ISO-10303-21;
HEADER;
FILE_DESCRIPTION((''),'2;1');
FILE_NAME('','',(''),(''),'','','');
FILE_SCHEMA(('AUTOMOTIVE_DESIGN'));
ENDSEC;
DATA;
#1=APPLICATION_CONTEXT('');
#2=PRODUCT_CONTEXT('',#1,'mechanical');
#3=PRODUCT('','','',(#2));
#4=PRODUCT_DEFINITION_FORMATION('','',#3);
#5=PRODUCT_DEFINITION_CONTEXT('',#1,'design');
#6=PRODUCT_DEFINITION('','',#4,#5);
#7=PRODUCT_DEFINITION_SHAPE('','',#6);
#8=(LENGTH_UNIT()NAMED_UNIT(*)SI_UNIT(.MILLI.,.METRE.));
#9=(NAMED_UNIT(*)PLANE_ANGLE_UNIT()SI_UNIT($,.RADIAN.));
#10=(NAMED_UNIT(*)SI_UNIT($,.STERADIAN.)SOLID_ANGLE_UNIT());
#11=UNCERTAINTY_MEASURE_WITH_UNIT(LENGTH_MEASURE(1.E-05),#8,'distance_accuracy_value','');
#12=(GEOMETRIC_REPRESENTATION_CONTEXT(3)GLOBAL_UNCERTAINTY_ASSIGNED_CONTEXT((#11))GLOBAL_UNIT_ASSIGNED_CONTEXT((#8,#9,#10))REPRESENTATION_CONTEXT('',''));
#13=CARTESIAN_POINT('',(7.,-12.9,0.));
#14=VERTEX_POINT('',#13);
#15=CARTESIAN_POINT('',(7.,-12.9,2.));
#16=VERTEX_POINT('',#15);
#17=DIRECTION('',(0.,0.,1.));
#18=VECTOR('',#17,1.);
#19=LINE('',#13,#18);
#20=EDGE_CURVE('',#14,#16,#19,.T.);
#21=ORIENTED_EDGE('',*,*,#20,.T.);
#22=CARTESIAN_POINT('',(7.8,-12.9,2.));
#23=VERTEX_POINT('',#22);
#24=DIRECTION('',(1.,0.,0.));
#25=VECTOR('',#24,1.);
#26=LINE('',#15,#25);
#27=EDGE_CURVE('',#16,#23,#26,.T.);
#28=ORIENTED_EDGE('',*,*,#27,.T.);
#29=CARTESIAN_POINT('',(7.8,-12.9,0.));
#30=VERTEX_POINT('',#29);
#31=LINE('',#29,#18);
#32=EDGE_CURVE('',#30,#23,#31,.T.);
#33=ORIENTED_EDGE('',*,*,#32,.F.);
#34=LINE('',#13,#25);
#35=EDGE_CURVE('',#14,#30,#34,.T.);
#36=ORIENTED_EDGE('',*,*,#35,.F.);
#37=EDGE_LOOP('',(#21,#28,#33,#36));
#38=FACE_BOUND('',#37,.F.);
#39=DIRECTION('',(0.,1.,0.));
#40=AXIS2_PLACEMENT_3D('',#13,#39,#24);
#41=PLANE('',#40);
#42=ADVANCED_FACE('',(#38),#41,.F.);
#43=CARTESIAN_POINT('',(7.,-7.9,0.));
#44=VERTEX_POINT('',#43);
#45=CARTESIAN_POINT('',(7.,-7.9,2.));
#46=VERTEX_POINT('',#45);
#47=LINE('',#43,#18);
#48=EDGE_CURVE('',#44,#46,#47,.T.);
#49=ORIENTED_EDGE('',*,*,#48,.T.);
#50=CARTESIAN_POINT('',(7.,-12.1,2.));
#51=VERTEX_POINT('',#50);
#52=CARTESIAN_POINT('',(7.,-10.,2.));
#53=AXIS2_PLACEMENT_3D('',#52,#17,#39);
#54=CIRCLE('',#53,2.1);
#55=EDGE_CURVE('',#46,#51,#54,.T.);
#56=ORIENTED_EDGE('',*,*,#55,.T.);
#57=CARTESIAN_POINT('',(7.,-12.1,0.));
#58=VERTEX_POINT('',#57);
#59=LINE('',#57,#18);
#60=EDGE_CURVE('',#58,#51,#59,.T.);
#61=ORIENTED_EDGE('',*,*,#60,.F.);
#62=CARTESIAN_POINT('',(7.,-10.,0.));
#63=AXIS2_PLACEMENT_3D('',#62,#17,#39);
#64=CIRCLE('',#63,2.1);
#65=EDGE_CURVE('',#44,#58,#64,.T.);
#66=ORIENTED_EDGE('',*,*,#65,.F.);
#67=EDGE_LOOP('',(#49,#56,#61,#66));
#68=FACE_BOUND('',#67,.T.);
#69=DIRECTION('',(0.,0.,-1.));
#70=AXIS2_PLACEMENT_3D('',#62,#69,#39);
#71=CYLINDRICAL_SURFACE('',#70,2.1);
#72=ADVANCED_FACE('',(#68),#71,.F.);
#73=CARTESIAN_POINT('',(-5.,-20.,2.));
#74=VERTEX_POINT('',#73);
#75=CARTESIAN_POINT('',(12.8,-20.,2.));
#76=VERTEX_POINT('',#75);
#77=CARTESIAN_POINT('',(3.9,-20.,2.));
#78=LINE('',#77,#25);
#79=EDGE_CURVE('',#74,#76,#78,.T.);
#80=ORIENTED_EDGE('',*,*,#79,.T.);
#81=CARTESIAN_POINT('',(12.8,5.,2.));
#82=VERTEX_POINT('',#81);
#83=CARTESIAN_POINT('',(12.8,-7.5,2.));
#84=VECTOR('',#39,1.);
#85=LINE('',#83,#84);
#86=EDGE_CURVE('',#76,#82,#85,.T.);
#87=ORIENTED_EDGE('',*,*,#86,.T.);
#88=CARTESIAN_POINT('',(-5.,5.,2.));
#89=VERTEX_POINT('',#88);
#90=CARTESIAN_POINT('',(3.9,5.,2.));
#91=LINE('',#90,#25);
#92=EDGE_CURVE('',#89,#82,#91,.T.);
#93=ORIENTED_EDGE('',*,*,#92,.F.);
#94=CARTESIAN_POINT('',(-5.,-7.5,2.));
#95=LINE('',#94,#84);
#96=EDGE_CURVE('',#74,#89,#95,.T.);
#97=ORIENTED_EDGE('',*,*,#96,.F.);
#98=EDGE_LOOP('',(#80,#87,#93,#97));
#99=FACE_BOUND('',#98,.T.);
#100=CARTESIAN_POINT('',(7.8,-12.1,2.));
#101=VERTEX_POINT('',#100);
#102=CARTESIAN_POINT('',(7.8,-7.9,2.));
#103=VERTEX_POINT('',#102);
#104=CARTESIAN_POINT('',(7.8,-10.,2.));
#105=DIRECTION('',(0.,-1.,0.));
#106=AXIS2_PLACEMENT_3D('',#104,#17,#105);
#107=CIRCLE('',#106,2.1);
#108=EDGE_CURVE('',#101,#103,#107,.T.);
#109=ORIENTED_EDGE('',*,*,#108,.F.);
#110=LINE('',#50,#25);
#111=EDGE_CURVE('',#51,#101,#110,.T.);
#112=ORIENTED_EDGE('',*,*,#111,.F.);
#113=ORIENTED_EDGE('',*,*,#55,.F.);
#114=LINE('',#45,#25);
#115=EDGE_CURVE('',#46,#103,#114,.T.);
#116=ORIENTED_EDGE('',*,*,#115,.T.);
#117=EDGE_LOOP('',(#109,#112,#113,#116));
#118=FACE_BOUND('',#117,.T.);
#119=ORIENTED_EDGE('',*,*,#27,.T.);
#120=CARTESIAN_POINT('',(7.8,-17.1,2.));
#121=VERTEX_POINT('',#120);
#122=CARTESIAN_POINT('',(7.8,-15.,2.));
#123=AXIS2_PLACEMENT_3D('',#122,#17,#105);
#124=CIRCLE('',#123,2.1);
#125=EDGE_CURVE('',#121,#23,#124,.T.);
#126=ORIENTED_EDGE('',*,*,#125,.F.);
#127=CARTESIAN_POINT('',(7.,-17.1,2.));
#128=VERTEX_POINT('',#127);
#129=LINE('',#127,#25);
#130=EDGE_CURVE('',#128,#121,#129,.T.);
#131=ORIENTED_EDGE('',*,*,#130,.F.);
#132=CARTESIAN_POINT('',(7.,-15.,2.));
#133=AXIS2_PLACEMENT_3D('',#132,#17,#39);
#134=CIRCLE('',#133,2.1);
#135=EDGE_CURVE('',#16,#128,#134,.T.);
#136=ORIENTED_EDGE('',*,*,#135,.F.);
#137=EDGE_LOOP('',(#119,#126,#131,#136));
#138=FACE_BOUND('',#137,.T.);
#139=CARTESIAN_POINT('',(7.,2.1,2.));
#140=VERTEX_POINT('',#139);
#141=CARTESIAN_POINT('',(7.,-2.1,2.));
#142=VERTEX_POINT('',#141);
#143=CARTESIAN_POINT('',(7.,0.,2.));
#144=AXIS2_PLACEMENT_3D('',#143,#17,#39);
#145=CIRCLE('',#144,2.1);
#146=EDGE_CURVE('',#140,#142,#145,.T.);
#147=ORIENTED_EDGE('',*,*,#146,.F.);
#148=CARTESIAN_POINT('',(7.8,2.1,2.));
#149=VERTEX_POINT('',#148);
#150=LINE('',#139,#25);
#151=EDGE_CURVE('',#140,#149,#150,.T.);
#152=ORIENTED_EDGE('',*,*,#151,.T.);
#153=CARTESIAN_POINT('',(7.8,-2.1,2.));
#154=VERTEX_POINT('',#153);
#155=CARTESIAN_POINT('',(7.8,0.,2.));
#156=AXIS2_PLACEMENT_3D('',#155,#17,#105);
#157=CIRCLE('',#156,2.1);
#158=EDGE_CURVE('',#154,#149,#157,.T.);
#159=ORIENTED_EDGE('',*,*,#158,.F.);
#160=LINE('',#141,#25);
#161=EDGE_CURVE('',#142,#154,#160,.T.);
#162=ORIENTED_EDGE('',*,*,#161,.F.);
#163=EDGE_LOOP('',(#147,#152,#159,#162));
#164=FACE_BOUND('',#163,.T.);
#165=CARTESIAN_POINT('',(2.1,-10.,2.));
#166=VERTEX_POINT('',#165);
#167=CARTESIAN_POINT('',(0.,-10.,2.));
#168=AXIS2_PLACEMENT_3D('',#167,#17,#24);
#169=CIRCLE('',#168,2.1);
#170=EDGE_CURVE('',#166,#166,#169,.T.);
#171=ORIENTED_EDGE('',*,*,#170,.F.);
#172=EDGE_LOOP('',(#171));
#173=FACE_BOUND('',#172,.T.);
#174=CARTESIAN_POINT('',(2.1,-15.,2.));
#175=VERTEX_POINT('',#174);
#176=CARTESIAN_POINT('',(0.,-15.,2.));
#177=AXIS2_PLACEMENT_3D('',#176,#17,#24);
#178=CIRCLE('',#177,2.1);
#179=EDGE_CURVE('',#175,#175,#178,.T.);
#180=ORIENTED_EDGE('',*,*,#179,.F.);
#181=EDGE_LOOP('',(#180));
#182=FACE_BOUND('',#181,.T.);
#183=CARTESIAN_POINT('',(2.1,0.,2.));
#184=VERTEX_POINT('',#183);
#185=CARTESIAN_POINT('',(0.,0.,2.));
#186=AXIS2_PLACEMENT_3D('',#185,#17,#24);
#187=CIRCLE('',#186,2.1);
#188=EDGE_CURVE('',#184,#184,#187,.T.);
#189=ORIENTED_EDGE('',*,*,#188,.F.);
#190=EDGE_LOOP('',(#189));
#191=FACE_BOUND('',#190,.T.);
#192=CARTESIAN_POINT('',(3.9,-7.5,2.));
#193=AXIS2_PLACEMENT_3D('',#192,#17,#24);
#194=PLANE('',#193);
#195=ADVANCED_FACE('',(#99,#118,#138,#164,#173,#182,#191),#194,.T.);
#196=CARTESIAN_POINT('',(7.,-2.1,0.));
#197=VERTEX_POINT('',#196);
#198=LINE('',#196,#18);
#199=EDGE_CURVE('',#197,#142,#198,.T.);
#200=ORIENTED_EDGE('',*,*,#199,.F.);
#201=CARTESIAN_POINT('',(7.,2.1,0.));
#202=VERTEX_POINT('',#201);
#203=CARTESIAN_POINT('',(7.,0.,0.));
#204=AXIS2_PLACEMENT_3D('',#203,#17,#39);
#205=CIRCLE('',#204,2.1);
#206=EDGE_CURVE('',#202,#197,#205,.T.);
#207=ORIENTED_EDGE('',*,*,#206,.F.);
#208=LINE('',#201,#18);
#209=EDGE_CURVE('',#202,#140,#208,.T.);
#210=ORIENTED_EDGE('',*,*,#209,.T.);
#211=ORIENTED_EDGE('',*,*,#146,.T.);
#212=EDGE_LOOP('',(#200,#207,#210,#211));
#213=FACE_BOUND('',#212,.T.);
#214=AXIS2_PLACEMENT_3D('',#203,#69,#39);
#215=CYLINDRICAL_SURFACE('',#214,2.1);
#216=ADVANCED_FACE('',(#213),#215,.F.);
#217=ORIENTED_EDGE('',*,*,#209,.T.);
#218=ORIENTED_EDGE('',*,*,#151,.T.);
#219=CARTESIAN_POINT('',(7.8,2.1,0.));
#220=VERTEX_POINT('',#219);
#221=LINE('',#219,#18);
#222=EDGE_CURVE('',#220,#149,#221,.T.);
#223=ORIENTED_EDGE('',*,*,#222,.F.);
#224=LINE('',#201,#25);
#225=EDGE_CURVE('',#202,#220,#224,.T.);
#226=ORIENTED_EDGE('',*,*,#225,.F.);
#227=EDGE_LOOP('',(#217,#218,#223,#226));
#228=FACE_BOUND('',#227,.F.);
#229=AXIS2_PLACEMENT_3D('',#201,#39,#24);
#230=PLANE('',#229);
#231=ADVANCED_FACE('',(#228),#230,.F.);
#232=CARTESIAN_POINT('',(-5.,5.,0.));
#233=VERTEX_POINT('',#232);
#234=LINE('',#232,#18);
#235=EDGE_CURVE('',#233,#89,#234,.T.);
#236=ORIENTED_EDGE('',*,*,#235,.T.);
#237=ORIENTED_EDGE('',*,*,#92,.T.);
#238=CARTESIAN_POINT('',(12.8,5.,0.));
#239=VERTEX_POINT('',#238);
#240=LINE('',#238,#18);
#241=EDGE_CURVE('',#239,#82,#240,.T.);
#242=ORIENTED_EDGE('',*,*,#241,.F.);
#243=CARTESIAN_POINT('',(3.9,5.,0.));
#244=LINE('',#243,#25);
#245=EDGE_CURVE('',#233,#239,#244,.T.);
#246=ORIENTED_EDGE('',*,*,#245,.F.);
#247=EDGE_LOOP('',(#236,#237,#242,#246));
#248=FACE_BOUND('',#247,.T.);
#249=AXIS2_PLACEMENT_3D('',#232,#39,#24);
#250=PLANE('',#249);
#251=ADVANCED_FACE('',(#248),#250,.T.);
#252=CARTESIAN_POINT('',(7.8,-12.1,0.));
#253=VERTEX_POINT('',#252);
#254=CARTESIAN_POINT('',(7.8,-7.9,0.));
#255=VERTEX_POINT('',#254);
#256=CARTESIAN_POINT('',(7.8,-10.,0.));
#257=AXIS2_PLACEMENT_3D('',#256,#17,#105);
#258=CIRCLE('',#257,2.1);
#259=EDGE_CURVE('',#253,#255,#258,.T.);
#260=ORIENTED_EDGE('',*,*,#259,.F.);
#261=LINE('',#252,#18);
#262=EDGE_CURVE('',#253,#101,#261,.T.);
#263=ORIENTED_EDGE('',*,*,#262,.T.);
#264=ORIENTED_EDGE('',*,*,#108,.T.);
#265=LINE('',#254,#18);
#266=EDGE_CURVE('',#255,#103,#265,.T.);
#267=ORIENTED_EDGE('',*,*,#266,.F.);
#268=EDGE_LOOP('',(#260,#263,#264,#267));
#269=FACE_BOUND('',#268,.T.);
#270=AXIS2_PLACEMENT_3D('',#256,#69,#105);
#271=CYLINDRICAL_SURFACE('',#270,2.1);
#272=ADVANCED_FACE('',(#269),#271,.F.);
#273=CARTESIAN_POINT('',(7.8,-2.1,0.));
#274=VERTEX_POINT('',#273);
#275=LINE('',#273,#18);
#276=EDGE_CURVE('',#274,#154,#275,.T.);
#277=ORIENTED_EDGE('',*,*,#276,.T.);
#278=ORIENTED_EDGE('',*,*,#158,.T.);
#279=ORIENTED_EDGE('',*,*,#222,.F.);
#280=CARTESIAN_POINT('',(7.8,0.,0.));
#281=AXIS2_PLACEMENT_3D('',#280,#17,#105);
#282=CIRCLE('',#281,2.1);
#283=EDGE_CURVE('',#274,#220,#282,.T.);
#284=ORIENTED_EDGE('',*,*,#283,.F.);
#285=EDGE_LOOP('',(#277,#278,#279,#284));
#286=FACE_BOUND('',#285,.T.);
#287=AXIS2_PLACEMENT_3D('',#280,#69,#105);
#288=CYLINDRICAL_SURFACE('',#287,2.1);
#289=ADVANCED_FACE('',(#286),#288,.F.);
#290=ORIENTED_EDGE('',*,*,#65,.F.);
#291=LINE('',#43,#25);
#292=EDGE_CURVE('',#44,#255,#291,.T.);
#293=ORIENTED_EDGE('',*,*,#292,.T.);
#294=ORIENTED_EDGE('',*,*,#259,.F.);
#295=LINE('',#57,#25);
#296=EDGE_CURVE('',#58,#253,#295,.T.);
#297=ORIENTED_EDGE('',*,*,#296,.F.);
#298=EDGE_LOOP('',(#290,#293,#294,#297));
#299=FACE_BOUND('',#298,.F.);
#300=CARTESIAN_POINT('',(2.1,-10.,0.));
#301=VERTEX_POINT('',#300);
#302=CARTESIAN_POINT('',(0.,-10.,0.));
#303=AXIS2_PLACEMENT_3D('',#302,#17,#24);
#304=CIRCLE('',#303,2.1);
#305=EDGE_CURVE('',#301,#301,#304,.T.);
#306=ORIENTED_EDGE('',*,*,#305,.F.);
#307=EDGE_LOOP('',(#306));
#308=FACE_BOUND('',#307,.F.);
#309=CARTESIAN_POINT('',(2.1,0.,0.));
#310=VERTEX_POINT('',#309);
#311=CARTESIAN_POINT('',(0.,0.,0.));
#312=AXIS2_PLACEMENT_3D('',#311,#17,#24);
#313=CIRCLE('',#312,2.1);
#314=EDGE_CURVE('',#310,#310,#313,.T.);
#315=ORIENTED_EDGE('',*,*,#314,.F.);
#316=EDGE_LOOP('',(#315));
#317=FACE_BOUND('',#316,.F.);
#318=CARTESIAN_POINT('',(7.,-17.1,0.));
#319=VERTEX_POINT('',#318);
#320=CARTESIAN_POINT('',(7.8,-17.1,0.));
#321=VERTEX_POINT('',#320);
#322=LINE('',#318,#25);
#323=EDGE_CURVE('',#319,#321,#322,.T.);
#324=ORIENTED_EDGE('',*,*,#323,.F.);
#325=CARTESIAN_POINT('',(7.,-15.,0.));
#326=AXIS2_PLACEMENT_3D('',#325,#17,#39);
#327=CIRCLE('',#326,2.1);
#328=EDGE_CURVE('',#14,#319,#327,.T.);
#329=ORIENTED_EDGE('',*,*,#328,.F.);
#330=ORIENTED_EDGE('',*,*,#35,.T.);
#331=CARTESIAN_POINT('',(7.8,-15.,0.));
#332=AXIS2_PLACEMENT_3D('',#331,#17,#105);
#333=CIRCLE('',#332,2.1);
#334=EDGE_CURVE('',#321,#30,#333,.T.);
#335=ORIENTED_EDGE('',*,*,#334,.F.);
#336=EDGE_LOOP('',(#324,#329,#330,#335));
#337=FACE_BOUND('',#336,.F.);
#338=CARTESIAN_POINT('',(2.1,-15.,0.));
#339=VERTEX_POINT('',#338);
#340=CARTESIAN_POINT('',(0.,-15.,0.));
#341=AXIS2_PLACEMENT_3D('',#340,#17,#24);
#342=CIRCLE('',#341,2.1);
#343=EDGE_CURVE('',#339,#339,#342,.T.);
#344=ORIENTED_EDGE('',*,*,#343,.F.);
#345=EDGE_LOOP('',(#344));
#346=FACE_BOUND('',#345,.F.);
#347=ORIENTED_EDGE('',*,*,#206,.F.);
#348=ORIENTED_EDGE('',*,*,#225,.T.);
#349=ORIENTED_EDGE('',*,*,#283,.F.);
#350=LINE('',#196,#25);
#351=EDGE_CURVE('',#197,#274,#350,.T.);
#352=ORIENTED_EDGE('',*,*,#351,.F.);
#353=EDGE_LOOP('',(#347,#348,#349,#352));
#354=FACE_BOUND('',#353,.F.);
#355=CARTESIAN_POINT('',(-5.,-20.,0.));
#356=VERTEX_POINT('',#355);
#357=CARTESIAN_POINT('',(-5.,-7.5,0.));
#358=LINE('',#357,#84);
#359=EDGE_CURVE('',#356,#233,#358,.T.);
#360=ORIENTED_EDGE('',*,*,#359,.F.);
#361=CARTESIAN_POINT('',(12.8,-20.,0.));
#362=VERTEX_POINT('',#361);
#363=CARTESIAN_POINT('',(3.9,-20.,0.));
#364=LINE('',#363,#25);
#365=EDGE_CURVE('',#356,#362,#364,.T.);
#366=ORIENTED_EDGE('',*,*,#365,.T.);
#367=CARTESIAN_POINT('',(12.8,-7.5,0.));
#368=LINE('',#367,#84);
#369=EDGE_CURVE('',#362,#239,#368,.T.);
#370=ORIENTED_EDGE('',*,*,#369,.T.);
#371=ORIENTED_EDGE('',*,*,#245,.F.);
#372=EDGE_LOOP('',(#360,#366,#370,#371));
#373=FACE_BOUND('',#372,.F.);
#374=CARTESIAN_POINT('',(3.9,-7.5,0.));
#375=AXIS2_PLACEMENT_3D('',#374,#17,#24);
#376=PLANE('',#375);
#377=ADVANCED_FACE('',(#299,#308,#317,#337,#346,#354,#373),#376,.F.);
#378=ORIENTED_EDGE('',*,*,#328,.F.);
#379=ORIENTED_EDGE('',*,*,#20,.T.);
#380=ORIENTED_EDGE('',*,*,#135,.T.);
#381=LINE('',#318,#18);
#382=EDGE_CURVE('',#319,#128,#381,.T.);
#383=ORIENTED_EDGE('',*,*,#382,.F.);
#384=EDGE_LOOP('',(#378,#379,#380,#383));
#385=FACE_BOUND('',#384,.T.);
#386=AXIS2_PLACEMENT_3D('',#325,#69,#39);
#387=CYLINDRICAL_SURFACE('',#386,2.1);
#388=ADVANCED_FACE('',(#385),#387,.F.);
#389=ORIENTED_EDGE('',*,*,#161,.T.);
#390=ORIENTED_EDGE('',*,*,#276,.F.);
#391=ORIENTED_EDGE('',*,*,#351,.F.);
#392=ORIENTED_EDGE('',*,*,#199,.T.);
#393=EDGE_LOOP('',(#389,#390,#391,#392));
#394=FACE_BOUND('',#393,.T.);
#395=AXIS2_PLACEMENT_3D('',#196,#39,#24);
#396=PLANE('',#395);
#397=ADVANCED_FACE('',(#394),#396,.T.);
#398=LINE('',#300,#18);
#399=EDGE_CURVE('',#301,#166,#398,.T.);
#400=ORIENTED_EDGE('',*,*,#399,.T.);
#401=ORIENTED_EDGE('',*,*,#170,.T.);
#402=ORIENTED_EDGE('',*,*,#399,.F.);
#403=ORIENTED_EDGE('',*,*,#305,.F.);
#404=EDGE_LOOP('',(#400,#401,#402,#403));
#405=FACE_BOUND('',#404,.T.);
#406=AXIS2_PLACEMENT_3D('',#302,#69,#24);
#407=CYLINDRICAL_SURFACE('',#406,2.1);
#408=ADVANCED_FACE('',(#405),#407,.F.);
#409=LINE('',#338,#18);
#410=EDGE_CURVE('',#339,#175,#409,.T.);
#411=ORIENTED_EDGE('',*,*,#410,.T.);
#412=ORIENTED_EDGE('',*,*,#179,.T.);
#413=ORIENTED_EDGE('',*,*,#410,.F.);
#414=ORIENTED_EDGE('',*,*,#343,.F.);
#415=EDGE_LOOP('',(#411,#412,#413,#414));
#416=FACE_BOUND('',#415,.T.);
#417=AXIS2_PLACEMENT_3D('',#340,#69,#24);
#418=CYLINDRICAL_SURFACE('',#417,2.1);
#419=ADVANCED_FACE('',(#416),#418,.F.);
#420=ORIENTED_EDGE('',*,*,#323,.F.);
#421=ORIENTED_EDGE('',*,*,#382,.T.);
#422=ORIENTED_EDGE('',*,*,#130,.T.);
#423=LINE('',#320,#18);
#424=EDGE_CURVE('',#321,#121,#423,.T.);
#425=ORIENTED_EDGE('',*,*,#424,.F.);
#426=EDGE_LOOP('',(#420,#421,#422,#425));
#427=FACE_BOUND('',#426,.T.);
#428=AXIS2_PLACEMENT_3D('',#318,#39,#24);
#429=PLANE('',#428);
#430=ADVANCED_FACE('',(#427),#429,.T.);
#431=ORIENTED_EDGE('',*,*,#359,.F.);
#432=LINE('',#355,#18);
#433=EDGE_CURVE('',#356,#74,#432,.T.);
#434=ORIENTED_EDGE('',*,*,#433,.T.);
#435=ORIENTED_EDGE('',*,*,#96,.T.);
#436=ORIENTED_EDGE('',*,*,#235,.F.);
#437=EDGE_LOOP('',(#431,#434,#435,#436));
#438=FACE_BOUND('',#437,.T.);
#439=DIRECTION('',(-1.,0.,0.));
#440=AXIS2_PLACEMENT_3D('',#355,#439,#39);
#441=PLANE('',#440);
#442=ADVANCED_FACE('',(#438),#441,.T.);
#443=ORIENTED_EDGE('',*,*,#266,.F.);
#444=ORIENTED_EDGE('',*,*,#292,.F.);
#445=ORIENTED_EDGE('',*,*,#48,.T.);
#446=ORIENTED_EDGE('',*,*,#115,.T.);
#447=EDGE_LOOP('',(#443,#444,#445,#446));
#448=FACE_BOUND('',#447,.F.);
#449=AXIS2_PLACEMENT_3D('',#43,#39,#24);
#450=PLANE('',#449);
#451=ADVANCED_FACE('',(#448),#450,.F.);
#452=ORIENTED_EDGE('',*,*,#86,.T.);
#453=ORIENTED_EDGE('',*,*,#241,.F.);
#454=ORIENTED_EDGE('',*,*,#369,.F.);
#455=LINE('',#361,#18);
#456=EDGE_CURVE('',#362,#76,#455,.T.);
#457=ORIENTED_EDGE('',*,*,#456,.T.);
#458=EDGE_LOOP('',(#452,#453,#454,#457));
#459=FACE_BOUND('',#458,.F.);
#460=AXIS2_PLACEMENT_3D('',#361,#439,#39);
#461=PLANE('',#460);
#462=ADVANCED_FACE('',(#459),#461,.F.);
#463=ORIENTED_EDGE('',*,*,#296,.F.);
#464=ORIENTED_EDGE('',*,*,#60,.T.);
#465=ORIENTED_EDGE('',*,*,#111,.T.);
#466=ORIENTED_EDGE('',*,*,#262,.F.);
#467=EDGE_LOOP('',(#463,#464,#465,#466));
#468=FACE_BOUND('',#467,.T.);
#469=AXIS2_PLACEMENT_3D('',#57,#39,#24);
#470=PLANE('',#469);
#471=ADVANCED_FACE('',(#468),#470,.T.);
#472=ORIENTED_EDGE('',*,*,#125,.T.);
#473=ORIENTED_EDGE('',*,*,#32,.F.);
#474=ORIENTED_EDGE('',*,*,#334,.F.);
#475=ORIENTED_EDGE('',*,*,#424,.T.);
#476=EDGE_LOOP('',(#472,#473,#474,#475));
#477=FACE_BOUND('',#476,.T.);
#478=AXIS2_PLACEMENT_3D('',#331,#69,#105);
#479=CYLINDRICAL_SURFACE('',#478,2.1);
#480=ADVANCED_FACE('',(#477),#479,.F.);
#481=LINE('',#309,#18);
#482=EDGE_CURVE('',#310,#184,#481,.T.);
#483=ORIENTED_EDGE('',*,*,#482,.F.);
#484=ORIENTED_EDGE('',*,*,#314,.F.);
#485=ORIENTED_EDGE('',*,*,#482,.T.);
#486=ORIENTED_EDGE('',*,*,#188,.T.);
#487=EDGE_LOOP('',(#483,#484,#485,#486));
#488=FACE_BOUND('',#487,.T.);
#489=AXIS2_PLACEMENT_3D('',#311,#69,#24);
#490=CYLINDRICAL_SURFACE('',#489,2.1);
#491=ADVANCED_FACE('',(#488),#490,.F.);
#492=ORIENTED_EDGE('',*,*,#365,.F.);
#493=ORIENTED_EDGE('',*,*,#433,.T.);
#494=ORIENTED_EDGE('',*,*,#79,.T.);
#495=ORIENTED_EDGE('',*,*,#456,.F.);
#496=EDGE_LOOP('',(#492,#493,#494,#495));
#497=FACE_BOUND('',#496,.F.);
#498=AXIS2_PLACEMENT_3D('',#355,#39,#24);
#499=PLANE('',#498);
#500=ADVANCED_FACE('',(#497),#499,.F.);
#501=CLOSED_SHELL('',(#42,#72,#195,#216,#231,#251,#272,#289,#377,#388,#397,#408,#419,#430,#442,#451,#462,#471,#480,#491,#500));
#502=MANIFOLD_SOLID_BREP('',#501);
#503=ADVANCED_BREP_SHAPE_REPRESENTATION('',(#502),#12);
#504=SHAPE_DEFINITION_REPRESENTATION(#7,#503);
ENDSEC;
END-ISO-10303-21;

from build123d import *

# Parameters (mm, degrees)
SKETCH_W      = 17.8
SKETCH_H      = 25
SKETCH_R      = 2.1
EXTRUDE_DEPTH = 2


with BuildPart() as part:
    # Sketch → Extrude (new body)
    with BuildSketch(Plane.XY):
        with Locations((3.9, -7.5)):
            Rectangle(SKETCH_W, SKETCH_H)
        Circle(SKETCH_R, mode=Mode.SUBTRACT)
        with Locations((0, -15)):
            Circle(SKETCH_R, mode=Mode.SUBTRACT)
        with Locations((0, -10)):
            Circle(SKETCH_R, mode=Mode.SUBTRACT)
        with BuildLine():
            ThreePointArc((7, 2.1), (4.9, 0), (7, -2.1))
            Line((7, -2.1), (7.8, -2.1))
            ThreePointArc((7.8, -2.1), (9.9, 0), (7.8, 2.1))
            Line((7, 2.1), (7.8, 2.1))
        make_face(mode=Mode.SUBTRACT)
        with BuildLine():
            ThreePointArc((7, -12.9), (4.9, -15), (7, -17.1))
            Line((7, -17.1), (7.8, -17.1))
            ThreePointArc((7.8, -17.1), (9.9, -15), (7.8, -12.9))
            Line((7, -12.9), (7.8, -12.9))
        make_face(mode=Mode.SUBTRACT)
        with BuildLine():
            ThreePointArc((7, -7.9), (4.9, -10), (7, -12.1))
            Line((7, -12.1), (7.8, -12.1))
            ThreePointArc((7.8, -12.1), (9.9, -10), (7.8, -7.9))
            Line((7, -7.9), (7.8, -7.9))
        make_face(mode=Mode.SUBTRACT)
    extrude(amount=EXTRUDE_DEPTH)


solid = part.part
